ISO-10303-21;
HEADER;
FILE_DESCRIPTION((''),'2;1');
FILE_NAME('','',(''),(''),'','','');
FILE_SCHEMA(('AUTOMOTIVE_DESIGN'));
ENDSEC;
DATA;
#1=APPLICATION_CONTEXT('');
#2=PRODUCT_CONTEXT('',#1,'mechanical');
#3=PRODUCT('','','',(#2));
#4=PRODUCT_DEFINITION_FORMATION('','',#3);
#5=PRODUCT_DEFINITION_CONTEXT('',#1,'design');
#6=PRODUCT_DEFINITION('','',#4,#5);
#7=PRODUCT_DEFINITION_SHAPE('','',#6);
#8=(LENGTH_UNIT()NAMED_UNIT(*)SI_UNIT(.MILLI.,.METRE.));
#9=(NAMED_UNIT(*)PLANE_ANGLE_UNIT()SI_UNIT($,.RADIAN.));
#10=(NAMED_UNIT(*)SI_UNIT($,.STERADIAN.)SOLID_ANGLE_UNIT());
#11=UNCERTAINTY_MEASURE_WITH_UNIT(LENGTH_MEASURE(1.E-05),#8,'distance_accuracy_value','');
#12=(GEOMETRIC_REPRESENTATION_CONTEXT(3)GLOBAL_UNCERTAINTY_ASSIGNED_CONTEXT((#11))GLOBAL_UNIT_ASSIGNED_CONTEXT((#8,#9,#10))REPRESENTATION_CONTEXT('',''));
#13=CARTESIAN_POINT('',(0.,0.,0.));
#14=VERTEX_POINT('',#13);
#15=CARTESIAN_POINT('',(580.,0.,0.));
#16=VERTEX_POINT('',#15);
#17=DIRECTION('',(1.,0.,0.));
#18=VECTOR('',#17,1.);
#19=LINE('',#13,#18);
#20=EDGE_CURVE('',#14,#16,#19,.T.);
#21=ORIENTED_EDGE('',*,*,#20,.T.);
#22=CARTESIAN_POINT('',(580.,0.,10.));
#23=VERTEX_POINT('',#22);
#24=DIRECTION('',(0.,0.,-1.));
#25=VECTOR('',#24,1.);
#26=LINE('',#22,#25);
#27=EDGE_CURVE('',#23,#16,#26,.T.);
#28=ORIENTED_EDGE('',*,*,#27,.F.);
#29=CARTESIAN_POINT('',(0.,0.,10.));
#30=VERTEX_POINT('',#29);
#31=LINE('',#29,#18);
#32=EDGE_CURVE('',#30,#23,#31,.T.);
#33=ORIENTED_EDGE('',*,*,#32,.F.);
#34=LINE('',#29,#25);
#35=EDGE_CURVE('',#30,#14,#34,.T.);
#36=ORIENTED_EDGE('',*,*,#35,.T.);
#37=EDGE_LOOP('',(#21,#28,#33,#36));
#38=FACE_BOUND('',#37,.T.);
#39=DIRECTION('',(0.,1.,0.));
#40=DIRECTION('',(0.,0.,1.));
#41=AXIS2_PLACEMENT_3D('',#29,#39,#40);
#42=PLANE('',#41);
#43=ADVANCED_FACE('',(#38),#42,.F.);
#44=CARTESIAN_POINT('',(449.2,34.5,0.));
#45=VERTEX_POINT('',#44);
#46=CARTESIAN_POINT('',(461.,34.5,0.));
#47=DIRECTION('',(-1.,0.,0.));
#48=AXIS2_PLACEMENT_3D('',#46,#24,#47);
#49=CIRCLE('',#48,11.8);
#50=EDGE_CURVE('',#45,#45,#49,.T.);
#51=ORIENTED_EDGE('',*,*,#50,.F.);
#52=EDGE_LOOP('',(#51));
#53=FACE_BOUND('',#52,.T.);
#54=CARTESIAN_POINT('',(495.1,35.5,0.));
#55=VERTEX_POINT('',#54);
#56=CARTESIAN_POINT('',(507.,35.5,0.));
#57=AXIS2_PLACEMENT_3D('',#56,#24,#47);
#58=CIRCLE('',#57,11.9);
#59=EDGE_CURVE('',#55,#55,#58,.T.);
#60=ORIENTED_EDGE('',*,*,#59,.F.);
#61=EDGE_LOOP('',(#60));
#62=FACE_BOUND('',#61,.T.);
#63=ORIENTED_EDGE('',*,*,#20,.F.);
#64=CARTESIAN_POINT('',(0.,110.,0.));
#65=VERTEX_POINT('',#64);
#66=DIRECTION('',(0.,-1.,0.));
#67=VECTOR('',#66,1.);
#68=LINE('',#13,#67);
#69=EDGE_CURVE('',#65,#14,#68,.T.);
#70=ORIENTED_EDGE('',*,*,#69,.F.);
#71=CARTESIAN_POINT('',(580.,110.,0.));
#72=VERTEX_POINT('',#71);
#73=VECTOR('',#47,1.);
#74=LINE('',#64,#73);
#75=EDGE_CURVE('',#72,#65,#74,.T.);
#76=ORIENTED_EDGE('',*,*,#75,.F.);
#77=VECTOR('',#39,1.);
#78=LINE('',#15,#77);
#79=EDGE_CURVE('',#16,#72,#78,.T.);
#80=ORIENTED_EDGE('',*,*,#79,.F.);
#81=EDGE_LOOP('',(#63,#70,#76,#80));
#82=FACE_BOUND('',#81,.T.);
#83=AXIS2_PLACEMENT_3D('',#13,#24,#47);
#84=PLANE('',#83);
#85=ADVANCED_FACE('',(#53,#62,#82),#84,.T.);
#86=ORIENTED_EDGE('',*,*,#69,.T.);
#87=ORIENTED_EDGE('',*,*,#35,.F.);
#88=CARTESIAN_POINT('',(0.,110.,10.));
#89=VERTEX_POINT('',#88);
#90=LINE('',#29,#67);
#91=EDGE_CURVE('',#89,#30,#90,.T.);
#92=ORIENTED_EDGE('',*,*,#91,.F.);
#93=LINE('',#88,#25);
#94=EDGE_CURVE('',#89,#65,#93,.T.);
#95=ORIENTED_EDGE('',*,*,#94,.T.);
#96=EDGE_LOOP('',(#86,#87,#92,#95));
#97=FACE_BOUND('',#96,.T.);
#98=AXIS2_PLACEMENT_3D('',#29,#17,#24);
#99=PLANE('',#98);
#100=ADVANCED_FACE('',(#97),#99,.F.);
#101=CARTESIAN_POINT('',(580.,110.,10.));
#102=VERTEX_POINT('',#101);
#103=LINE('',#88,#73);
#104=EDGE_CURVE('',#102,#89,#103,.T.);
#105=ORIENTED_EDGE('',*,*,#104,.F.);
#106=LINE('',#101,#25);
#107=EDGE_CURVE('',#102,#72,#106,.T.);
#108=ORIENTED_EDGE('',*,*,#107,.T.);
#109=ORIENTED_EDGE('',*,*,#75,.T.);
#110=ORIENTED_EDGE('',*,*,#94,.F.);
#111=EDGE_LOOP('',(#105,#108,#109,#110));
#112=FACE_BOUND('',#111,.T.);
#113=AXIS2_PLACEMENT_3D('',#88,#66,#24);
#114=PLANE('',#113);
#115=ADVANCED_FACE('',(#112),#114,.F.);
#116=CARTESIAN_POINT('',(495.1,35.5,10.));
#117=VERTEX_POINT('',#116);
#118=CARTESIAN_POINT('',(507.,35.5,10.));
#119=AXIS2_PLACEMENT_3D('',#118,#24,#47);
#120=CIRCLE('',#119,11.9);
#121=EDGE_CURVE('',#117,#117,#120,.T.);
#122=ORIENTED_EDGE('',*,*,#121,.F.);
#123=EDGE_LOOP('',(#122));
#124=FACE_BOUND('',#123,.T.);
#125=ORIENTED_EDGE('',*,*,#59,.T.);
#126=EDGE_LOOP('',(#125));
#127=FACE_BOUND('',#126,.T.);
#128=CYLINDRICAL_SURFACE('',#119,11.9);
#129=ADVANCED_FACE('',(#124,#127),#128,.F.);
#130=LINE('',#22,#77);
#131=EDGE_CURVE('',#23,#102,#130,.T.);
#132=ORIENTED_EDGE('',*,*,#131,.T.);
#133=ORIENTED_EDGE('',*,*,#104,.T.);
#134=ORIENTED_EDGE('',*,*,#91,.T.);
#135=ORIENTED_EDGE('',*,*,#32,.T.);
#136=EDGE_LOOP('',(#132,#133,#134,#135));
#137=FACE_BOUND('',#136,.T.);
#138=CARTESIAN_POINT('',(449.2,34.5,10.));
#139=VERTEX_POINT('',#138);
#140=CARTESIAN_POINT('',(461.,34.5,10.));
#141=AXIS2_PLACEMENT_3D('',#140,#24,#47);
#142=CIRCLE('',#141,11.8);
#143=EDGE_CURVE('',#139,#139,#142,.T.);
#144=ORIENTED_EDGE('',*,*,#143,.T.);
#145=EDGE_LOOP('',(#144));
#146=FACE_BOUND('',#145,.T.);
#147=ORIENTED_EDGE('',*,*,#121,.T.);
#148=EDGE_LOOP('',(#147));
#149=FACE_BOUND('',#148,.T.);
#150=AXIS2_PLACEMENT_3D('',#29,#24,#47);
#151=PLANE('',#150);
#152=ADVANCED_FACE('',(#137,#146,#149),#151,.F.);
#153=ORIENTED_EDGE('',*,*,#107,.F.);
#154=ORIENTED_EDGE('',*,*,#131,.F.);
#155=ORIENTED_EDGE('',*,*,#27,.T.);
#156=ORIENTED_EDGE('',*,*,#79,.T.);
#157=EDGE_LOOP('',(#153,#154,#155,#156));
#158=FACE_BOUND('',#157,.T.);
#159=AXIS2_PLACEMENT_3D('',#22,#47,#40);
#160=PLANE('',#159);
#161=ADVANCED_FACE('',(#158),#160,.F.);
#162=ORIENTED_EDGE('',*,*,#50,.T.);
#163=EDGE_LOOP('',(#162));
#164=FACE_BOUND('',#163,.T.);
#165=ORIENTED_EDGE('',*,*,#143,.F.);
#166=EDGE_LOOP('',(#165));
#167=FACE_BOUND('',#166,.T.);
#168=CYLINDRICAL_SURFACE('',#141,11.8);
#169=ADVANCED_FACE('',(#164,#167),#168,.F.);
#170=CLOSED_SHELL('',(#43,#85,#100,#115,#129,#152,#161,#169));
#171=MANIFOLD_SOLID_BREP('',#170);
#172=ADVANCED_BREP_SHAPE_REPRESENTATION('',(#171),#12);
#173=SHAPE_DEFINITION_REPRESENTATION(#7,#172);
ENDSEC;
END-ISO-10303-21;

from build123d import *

# Parameters (mm, degrees)
ESQUISSE1_W             = 580
ESQUISSE1_H             = 110
BOSS_EXTRU_1_DEPTH      = 10
ESQUISSE2_R             = 11.8
ESQUISSE2_R_2           = 11.9
ENL_V_MAT_EXTRU_1_DEPTH = 10


with BuildPart() as part:
    # Esquisse1 → Boss.-Extru.1 (new body)
    with BuildSketch(Plane.XY):
        with Locations((290, 55)):
            Rectangle(ESQUISSE1_W, ESQUISSE1_H)
    extrude(amount=BOSS_EXTRU_1_DEPTH)

    # Esquisse2 → Enlèv. mat.-Extru.1 (cut)
    with BuildSketch(Plane(origin=(0, 0, 0), x_dir=(-1, 0, 0), z_dir=(0, 0, -1))):
        with Locations((-461, 34.5)):
            Circle(ESQUISSE2_R)
        with Locations((-507, 35.5)):
            Circle(ESQUISSE2_R_2)
    extrude(amount=-ENL_V_MAT_EXTRU_1_DEPTH, mode=Mode.SUBTRACT)


solid = part.part
